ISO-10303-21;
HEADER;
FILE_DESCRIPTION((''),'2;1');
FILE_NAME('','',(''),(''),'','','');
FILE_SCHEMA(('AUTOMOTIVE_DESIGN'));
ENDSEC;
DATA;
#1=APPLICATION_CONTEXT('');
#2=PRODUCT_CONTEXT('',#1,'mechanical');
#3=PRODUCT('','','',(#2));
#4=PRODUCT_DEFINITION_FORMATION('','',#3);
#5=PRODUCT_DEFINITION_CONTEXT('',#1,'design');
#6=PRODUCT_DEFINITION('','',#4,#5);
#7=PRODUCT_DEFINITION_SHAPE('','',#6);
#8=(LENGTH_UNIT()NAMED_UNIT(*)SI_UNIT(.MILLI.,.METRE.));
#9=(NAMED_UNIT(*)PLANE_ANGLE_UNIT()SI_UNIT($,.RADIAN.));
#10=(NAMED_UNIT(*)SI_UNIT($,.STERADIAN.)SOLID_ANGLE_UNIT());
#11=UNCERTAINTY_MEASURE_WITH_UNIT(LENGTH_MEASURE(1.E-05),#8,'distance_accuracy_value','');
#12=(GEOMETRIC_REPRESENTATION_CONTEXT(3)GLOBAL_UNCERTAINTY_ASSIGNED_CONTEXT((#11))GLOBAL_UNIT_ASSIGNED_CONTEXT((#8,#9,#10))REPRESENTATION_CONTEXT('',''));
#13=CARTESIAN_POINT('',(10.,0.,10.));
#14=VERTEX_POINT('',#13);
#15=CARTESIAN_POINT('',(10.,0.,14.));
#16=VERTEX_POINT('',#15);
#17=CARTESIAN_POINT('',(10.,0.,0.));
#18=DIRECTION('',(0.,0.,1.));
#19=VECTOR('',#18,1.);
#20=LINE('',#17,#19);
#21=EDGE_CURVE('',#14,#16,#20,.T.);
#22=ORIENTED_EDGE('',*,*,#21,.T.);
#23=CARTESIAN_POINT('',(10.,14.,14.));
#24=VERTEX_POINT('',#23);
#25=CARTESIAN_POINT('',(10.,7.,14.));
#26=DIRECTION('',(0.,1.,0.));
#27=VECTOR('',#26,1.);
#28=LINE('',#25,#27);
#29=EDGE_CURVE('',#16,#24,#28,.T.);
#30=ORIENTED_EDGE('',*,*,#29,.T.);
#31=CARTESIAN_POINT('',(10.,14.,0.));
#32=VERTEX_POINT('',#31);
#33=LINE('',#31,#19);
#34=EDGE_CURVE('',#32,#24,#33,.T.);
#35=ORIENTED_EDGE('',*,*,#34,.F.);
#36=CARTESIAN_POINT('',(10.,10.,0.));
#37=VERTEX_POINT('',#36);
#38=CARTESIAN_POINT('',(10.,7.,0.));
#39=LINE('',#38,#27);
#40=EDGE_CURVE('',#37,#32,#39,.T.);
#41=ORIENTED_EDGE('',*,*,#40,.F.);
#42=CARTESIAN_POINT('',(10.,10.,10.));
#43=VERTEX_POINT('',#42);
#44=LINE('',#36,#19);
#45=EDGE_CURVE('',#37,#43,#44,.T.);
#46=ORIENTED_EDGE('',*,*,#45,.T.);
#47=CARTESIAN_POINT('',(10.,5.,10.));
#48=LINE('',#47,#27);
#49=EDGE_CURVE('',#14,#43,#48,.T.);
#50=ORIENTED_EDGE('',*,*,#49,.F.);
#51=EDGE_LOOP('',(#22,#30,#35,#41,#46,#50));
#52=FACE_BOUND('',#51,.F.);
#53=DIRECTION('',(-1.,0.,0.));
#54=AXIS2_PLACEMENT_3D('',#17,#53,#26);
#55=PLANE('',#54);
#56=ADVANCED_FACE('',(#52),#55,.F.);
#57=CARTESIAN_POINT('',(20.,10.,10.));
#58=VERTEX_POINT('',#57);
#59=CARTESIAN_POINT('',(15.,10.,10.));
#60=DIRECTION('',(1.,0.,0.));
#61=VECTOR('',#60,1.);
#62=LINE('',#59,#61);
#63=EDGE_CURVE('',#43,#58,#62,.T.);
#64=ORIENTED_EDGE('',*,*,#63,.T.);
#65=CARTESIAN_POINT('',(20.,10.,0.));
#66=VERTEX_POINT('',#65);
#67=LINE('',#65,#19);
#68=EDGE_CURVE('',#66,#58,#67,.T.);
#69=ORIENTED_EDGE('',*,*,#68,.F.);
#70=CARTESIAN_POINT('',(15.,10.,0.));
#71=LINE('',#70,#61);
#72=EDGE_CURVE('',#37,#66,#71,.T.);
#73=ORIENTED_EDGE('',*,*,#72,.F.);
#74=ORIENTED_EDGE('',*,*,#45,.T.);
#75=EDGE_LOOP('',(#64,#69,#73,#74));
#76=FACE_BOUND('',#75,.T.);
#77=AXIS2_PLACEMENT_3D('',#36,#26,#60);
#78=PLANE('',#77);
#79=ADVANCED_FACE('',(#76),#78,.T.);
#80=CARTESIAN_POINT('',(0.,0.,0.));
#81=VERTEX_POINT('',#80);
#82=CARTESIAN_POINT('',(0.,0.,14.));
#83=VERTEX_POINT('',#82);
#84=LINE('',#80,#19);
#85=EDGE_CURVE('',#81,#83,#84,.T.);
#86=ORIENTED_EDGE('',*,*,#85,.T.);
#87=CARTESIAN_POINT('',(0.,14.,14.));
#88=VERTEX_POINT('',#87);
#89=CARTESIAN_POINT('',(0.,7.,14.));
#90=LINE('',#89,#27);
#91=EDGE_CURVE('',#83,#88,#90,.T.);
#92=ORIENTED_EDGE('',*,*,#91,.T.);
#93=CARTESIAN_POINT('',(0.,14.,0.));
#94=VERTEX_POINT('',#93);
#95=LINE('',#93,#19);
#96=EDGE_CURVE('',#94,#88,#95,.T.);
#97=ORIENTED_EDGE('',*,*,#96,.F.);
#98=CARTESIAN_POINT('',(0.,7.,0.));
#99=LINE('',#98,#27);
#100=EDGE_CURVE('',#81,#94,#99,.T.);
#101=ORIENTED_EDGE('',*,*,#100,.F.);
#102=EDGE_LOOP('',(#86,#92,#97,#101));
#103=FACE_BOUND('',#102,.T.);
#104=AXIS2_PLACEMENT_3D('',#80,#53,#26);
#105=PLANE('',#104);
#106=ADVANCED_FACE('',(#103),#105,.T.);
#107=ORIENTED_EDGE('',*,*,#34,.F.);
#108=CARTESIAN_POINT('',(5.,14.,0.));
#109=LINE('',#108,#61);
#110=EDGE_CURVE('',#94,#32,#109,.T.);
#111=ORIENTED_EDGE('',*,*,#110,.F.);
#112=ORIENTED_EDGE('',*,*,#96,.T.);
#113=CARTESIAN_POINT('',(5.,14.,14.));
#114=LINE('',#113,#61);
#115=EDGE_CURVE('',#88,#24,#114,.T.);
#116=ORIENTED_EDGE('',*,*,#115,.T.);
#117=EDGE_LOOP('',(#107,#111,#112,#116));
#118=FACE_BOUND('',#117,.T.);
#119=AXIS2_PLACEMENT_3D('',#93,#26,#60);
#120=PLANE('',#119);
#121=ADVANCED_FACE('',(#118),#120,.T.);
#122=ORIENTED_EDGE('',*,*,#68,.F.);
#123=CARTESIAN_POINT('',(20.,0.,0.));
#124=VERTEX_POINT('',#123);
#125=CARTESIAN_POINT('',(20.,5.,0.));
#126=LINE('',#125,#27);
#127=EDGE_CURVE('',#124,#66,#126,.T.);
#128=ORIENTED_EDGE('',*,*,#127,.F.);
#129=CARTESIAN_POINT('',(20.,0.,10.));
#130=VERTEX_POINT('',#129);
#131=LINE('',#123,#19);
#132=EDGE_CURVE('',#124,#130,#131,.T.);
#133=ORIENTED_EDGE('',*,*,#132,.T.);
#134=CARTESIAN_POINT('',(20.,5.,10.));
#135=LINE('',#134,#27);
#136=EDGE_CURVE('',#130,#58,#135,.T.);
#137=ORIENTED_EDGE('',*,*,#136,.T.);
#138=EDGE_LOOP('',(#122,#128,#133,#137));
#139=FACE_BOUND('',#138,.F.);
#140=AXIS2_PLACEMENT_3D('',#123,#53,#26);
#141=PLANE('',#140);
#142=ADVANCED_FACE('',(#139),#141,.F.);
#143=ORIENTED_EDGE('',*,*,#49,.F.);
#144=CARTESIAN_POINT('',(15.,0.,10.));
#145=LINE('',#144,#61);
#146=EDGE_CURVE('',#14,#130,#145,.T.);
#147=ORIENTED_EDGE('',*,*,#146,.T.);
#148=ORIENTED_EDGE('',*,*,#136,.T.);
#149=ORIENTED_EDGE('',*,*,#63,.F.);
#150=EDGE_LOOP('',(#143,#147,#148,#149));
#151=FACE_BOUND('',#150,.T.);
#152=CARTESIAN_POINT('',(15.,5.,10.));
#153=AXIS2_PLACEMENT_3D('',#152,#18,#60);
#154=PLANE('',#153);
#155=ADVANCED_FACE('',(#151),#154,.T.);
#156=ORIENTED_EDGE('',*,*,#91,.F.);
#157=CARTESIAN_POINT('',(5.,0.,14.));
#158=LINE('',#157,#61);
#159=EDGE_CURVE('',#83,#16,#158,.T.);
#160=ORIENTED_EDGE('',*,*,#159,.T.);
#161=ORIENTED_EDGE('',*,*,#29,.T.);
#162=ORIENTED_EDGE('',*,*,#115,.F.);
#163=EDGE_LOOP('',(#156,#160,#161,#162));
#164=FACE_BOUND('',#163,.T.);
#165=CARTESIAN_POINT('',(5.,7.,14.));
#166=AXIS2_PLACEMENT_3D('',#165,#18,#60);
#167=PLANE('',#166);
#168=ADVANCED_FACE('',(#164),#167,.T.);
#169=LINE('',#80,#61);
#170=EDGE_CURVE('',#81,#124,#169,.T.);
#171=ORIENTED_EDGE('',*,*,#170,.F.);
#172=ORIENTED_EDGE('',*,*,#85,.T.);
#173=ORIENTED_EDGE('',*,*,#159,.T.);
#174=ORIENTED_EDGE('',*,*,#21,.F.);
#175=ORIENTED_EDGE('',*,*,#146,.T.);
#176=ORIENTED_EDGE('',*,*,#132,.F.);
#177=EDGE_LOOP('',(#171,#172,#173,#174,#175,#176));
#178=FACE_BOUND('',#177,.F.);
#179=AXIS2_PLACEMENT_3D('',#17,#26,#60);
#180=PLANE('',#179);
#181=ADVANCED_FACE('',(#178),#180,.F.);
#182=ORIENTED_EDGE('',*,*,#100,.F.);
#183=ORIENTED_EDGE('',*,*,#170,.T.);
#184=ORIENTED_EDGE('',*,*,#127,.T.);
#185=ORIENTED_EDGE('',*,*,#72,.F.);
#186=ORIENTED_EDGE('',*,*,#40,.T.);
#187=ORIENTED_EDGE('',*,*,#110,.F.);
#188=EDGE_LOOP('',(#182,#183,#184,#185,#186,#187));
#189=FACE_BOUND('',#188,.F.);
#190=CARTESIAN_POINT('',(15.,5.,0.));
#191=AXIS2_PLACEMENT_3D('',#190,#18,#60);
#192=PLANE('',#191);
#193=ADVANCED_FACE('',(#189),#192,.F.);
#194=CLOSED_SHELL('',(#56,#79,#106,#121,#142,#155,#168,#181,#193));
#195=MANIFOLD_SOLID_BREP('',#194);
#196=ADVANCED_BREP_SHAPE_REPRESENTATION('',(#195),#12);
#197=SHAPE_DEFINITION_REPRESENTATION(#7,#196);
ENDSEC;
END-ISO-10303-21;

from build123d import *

# Parameters (mm, degrees)
BOX001_W     = 10
BOX001_H     = 10
BOX001_DEPTH = 10
BOX_W        = 10
BOX_H        = 14
BOX_DEPTH    = 14


with BuildPart() as box001:
    # Box001 → Box001 (new body)
    with BuildSketch(Plane(origin=(10, 0, 0), x_dir=(1, 0, 0), z_dir=(0, 0, 1))):
        with Locations((5, 5)):
            Rectangle(BOX001_W, BOX001_H)
    extrude(amount=BOX001_DEPTH)


with BuildPart() as la_meva_pe_a001:
    # Box → Box (new body)
    with BuildSketch(Plane.XY):
        with Locations((5, 7)):
            Rectangle(BOX_W, BOX_H)
    extrude(amount=BOX_DEPTH)

    # Fusion: union Box001
    add(box001.part)


solid = la_meva_pe_a001.part
